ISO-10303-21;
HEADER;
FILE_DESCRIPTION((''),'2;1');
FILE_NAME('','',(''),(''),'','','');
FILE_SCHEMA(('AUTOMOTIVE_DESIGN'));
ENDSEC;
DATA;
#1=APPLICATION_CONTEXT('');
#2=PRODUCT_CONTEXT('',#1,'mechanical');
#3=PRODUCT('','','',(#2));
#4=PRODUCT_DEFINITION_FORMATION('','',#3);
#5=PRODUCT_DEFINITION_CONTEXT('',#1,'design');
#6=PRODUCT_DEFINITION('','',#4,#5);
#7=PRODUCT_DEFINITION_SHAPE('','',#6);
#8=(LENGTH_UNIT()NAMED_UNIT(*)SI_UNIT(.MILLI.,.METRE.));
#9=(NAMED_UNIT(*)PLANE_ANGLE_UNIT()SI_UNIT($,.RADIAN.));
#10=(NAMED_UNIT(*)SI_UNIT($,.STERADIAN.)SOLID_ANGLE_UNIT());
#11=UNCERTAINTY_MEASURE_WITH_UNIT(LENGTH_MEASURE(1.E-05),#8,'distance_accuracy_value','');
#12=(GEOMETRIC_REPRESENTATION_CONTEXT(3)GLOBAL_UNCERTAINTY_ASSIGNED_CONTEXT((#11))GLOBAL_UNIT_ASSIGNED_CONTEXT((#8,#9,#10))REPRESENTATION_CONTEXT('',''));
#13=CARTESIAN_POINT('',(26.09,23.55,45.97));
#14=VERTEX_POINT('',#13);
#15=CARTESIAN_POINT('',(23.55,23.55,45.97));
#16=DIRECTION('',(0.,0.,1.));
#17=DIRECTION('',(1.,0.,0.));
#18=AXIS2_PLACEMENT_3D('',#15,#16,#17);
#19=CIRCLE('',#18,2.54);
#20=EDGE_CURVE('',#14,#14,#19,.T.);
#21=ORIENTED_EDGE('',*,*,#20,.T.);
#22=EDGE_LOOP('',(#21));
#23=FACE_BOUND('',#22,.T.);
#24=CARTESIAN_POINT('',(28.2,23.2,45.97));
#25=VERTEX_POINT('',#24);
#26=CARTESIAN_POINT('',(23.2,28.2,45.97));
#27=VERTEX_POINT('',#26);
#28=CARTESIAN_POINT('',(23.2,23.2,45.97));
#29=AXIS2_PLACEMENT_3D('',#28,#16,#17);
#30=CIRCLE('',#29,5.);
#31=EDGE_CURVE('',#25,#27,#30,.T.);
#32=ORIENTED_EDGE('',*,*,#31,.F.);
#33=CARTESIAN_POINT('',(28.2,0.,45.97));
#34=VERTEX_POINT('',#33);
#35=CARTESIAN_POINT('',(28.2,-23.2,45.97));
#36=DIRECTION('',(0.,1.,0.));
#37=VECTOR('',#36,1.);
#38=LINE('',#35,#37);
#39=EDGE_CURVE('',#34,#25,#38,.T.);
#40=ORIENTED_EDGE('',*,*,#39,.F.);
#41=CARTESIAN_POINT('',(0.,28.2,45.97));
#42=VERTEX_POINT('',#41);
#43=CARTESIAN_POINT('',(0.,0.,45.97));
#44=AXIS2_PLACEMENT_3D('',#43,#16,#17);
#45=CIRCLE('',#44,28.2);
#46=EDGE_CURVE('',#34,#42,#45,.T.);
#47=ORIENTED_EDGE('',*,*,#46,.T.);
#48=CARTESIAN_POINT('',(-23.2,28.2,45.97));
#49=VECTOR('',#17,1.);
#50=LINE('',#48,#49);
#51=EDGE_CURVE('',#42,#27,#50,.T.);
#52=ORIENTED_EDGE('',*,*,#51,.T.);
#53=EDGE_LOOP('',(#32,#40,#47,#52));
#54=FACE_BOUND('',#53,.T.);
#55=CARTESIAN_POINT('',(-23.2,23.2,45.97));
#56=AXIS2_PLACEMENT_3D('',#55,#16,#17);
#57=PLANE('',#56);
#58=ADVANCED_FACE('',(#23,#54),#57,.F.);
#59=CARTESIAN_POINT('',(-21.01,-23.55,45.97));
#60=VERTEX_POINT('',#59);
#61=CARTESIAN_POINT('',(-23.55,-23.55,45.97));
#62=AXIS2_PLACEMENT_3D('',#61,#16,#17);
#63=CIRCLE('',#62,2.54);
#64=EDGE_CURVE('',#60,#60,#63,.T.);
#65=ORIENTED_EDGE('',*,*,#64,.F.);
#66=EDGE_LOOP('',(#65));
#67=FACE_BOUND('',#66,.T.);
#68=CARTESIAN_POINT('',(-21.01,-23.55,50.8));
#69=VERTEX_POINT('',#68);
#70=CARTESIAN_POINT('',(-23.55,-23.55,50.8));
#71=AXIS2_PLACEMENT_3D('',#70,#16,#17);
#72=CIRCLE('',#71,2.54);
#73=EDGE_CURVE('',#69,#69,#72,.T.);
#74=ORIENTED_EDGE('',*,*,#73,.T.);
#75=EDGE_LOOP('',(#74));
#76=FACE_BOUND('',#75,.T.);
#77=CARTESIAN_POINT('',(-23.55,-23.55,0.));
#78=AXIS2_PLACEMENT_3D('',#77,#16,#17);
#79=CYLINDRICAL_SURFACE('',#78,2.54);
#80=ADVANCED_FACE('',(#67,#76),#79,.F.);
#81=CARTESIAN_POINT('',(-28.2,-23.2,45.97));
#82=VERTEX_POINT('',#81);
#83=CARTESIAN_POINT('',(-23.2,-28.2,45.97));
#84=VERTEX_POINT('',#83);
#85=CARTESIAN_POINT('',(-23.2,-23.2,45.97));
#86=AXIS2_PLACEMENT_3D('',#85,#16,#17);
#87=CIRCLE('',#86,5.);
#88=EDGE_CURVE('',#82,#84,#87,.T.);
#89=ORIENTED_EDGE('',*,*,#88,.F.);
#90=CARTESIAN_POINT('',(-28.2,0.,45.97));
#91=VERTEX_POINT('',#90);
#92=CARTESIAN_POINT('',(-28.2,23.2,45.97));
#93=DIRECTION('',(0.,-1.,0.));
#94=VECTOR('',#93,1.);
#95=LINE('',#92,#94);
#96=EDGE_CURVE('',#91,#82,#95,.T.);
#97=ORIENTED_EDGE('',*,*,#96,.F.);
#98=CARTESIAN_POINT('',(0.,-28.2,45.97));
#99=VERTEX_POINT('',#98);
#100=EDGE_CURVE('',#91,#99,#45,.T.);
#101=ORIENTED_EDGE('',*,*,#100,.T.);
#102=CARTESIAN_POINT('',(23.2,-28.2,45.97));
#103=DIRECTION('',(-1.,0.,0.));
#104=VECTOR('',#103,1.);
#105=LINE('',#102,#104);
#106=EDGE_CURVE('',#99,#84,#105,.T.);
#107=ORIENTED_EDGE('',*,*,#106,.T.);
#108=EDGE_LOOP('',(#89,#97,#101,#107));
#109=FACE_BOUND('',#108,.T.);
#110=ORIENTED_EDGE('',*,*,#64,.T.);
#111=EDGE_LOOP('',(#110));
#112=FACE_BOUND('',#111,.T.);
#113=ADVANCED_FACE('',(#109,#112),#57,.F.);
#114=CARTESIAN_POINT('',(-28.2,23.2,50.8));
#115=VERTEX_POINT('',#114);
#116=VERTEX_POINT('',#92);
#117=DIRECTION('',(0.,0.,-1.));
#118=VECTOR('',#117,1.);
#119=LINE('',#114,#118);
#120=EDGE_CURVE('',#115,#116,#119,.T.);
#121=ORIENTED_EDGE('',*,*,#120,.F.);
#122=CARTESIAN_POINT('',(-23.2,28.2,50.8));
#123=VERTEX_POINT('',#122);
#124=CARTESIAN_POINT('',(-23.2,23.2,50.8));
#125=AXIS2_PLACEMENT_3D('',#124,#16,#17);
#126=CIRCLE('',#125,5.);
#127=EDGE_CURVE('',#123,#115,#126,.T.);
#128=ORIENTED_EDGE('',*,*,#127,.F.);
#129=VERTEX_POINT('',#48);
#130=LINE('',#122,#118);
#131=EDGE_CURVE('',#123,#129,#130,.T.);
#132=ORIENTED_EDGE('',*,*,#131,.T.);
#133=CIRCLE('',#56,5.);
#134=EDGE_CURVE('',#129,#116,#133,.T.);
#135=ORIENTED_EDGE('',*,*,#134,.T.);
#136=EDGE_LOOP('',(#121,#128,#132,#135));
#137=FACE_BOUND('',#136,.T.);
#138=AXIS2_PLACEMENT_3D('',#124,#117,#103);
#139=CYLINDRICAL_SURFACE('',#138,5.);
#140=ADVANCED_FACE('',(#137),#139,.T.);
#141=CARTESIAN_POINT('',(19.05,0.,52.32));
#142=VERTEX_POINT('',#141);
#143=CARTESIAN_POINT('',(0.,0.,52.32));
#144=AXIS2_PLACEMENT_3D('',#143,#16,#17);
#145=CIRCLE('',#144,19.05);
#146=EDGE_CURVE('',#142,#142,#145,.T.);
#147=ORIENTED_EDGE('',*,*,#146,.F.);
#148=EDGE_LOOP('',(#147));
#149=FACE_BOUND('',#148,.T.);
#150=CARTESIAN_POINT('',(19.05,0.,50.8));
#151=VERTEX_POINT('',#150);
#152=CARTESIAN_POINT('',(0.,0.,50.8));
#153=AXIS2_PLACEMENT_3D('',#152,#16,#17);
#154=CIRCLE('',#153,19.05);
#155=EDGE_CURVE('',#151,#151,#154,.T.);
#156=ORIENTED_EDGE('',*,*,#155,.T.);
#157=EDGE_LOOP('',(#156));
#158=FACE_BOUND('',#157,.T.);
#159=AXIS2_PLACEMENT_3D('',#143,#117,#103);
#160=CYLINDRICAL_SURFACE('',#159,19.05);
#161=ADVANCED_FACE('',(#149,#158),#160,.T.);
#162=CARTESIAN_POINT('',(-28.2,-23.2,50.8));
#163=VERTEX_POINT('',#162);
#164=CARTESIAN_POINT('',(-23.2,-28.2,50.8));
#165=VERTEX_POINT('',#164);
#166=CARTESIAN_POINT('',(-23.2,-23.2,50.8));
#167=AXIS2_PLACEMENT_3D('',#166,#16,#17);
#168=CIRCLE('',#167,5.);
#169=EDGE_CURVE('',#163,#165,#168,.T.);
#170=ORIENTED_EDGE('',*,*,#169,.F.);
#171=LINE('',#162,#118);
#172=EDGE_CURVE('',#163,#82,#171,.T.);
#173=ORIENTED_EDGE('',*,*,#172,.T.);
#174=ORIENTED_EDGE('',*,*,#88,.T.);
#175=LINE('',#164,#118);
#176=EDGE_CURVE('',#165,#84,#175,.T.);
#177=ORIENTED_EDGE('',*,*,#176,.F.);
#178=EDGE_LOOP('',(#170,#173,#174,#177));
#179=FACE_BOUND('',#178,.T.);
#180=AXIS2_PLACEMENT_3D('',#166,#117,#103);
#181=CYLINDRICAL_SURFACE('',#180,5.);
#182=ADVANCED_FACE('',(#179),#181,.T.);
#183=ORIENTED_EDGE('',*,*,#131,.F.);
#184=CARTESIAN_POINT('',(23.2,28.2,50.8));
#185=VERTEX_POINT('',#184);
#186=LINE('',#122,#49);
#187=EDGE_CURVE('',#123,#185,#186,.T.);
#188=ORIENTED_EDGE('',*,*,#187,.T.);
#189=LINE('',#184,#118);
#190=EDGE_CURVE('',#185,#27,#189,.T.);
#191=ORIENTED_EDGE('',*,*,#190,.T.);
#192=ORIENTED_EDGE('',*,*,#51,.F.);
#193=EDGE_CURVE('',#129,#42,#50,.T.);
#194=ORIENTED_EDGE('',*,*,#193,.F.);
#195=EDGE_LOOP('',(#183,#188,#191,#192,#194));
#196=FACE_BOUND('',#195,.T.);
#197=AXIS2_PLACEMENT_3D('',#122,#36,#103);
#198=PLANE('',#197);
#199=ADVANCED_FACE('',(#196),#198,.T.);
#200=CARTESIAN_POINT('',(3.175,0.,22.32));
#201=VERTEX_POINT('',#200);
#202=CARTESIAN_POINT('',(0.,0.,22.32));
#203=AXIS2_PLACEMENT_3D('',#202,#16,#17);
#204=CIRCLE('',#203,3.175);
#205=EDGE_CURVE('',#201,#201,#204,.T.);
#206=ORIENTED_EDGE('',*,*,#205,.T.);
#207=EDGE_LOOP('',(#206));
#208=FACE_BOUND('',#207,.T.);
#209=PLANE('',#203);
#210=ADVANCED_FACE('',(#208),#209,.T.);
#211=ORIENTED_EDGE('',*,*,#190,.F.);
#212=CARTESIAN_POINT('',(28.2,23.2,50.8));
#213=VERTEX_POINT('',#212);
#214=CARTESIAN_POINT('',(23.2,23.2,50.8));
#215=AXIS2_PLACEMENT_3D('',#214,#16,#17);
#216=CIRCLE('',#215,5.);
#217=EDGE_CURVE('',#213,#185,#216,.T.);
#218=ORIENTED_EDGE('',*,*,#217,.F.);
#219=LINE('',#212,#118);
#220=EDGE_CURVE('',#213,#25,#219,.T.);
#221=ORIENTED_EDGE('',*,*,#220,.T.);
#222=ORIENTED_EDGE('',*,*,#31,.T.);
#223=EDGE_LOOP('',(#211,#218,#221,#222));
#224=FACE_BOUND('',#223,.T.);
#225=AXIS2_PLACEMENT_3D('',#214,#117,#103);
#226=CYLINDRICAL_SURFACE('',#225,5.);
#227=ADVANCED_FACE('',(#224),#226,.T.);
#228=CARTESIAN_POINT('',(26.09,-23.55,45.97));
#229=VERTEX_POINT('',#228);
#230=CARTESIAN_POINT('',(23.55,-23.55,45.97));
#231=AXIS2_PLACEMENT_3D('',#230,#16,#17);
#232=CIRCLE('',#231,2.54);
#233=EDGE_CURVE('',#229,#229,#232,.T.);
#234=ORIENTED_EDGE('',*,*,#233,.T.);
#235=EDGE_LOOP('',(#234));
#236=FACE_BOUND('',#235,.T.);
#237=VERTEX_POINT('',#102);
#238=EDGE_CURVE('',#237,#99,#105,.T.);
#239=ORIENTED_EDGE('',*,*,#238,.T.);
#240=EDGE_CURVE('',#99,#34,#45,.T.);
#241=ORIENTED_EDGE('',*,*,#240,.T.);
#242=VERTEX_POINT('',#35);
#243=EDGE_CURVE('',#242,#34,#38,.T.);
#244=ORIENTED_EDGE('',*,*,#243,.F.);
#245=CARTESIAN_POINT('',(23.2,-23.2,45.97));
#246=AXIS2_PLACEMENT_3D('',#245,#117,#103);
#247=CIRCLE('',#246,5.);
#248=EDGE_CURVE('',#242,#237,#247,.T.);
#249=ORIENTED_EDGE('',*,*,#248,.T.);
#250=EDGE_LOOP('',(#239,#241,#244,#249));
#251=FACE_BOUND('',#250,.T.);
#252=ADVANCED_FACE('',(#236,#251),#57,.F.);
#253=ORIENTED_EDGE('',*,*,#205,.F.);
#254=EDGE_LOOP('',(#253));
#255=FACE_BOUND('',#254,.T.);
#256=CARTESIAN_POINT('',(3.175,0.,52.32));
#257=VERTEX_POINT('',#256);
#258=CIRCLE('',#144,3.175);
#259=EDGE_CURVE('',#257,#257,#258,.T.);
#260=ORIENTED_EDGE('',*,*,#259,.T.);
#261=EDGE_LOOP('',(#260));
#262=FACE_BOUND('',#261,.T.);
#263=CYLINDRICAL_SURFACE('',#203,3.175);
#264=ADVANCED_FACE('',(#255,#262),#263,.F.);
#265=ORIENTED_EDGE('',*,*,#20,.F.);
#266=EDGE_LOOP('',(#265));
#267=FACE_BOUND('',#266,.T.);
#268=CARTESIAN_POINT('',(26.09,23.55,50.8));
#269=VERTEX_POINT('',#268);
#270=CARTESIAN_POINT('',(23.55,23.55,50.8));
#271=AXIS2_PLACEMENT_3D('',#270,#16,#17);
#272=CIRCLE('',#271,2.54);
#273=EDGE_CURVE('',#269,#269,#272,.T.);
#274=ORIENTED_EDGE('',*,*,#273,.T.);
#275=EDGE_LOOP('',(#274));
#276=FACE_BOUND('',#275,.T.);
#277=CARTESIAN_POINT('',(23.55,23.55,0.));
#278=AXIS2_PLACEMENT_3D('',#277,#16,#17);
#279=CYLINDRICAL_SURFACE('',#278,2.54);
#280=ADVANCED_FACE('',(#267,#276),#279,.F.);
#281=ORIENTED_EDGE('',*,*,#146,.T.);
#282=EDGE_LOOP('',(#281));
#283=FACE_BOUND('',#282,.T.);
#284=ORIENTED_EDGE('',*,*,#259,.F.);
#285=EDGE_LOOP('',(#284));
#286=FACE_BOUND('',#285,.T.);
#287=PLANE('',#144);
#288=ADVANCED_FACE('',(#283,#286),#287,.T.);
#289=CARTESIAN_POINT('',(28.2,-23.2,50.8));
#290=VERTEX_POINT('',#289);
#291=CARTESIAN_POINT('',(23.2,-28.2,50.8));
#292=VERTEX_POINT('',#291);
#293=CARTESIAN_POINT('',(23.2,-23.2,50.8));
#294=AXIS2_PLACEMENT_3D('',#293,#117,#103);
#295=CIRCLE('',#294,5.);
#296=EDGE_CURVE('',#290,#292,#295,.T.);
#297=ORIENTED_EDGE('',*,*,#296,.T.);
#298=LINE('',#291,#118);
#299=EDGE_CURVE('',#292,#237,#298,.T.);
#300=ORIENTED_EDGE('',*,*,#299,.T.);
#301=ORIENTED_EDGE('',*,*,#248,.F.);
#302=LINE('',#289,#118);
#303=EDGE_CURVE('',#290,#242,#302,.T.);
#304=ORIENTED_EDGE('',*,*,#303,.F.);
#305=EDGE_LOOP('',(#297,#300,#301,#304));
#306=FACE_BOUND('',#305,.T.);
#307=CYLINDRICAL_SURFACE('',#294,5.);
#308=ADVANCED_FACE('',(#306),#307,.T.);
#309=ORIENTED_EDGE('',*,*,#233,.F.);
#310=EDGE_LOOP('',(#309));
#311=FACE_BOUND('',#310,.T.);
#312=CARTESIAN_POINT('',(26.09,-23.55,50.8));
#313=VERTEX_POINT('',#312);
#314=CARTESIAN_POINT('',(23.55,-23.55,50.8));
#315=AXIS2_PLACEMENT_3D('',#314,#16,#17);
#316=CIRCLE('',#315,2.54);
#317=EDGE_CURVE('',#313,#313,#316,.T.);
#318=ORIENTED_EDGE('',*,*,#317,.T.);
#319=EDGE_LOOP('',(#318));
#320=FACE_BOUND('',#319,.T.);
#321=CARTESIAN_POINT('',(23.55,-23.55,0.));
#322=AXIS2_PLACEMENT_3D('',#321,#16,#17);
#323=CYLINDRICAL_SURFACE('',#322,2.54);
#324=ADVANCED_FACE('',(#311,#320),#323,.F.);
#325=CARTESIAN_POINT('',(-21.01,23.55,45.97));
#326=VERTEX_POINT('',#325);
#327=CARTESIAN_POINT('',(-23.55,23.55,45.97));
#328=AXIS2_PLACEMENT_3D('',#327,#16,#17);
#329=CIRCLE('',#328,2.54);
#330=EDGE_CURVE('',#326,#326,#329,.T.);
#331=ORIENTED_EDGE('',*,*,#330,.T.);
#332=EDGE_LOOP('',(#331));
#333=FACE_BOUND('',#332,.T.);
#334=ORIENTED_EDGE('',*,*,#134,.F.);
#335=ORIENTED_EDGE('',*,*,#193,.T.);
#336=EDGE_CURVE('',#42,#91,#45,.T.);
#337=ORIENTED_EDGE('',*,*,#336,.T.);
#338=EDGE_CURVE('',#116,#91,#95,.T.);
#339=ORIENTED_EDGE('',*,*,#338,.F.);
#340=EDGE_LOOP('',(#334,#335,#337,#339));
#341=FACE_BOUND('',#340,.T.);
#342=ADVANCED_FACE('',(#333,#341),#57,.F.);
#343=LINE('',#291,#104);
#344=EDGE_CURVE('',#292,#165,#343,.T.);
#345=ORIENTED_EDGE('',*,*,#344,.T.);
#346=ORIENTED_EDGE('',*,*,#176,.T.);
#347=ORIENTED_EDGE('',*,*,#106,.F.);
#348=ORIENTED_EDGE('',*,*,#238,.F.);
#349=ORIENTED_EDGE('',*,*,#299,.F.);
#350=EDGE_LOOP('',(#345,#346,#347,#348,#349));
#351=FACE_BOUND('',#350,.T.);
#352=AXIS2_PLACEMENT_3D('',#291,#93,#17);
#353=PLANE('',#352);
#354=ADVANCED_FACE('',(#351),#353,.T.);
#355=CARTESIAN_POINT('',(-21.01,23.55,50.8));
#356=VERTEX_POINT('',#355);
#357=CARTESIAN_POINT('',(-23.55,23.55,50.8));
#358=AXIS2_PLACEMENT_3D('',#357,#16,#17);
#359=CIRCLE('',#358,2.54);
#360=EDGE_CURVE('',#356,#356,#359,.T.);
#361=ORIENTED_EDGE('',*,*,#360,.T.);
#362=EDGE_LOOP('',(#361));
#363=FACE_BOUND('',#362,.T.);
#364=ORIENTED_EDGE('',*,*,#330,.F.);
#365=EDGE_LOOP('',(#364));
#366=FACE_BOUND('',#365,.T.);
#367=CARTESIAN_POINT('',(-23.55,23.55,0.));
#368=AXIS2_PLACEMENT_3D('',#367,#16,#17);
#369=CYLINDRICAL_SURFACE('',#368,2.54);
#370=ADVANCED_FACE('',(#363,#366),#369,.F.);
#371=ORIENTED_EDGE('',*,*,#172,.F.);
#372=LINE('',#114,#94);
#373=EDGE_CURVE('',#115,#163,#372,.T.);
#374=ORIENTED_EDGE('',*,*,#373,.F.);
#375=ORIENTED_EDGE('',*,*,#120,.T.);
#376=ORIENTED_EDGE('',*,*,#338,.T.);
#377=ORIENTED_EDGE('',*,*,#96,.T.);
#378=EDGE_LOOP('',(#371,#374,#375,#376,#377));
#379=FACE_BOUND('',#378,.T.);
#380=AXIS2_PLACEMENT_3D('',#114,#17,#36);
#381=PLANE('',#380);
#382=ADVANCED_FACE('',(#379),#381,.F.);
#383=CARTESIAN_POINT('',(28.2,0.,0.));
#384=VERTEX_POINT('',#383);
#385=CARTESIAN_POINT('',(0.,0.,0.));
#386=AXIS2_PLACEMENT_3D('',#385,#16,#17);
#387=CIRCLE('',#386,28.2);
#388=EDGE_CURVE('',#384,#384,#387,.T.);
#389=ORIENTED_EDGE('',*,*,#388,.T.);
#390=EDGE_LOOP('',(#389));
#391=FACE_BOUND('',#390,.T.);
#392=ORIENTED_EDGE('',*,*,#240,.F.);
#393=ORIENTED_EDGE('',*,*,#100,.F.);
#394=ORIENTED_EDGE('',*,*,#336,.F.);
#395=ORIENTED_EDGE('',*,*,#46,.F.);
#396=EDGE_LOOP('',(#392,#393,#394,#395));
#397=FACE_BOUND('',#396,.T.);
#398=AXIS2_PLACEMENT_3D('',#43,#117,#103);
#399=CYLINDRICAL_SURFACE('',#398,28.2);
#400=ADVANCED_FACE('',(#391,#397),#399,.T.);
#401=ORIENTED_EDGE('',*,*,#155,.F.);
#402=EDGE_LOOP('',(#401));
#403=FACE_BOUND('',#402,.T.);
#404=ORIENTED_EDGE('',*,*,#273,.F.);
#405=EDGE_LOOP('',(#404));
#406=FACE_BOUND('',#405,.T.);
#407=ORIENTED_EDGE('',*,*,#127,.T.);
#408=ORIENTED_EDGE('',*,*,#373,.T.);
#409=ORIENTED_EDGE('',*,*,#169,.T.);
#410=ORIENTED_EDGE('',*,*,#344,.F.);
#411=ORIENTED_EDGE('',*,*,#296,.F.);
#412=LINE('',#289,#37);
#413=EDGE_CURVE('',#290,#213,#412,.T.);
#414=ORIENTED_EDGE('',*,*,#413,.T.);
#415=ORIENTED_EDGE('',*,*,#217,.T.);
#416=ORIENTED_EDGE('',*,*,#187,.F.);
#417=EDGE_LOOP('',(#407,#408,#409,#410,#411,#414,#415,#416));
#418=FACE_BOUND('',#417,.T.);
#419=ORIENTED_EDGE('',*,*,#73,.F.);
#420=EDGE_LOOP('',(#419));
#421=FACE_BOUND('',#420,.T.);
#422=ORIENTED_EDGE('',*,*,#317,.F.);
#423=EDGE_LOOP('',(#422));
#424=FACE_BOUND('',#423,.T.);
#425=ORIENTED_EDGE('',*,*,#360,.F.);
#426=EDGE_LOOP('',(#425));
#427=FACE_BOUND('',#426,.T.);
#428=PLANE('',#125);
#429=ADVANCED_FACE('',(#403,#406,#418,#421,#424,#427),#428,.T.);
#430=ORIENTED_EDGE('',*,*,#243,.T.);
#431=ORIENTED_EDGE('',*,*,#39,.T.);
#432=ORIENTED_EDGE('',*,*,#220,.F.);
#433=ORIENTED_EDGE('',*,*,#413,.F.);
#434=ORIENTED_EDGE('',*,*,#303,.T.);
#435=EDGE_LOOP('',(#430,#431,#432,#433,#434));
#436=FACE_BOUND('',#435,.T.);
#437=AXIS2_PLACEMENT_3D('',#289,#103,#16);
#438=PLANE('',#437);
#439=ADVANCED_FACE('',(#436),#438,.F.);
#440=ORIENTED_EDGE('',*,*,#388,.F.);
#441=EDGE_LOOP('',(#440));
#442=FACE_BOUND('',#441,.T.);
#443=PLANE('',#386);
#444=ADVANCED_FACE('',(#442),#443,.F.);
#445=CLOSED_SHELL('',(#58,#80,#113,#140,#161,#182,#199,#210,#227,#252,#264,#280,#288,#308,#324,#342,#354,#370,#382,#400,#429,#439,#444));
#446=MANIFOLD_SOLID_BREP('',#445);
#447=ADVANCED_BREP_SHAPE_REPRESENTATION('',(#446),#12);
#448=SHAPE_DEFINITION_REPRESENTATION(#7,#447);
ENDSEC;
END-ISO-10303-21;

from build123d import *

# Parameters (mm, degrees)
ESQUISSE1_R                     = 28.2
BASE_EXTRUSION_DEPTH            = 45.97
BOSS_EXTRU_1_DEPTH              = 4.83
ESQUISSE3_R                     = 19.05
BOSS_EXTRU_2_DEPTH              = 1.52
ESQUISSE4_R                     = 2.54
ENL_V_MAT_EXTRU_1_DEPTH         = 65.584208596
ESQUISSE5_R                     = 3.175
ENL_V_MAT_EXTRU_2_DEPTH         = 30
R_P_TITION_LIN_AIRE1_COUNT      = 2
R_P_TITION_LIN_AIRE1_PITCH      = 47.1
R_P_TITION_LIN_AIRE1_COUNT_DIR2 = 2
R_P_TITION_LIN_AIRE1_PITCH_DIR2 = 47.1


with BuildPart() as part:
    # Esquisse1 → Base-Extrusion (new body)
    with BuildSketch(Plane.XY):
        Circle(ESQUISSE1_R)
    extrude(amount=BASE_EXTRUSION_DEPTH)

    # Esquisse2 → Boss.-Extru.1 (add)
    with BuildSketch(Plane.XY.offset(45.97)):
        with BuildLine():
            Line((-23.2, 28.2), (23.2, 28.2))
            ThreePointArc((23.2, 28.2), (26.735533906, 26.735533906), (28.2, 23.2))
            Line((28.2, 23.2), (28.2, -23.2))
            ThreePointArc((28.2, -23.2), (26.735533906, -26.735533906), (23.2, -28.2))
            Line((23.2, -28.2), (-23.2, -28.2))
            ThreePointArc((-23.2, -28.2), (-26.735533906, -26.735533906), (-28.2, -23.2))
            Line((-28.2, -23.2), (-28.2, 23.2))
            ThreePointArc((-28.2, 23.2), (-26.735533906, 26.735533906), (-23.2, 28.2))
        make_face()
    extrude(amount=BOSS_EXTRU_1_DEPTH)

    # Esquisse3 → Boss.-Extru.2 (add)
    with BuildSketch(Plane.XY.offset(50.8)):
        Circle(ESQUISSE3_R)
    extrude(amount=BOSS_EXTRU_2_DEPTH)

    # Esquisse4 → Enlèv. mat.-Extru.1 (cut, through all)
    with BuildSketch(Plane.XY.offset(50.8)):
        with Locations((-23.55, 23.55)):
            Circle(ESQUISSE4_R)
    enl_v_mat_extru_1 = extrude(amount=-ENL_V_MAT_EXTRU_1_DEPTH, mode=Mode.SUBTRACT)

    # Esquisse5 → Enlèv. mat.-Extru.2 (cut)
    with BuildSketch(Plane.XY.offset(52.32)):
        Circle(ESQUISSE5_R)
    extrude(amount=-ENL_V_MAT_EXTRU_2_DEPTH, mode=Mode.SUBTRACT)

    # Répétition linéaire1: Enl_v. mat.-Extru.1 2 × 2
    with Locations(*[(i * R_P_TITION_LIN_AIRE1_PITCH, -j * R_P_TITION_LIN_AIRE1_PITCH_DIR2, 0) for i in range(R_P_TITION_LIN_AIRE1_COUNT) for j in range(R_P_TITION_LIN_AIRE1_COUNT_DIR2) if (i, j) != (0, 0)]):
        add(enl_v_mat_extru_1, mode=Mode.SUBTRACT)


solid = part.part
